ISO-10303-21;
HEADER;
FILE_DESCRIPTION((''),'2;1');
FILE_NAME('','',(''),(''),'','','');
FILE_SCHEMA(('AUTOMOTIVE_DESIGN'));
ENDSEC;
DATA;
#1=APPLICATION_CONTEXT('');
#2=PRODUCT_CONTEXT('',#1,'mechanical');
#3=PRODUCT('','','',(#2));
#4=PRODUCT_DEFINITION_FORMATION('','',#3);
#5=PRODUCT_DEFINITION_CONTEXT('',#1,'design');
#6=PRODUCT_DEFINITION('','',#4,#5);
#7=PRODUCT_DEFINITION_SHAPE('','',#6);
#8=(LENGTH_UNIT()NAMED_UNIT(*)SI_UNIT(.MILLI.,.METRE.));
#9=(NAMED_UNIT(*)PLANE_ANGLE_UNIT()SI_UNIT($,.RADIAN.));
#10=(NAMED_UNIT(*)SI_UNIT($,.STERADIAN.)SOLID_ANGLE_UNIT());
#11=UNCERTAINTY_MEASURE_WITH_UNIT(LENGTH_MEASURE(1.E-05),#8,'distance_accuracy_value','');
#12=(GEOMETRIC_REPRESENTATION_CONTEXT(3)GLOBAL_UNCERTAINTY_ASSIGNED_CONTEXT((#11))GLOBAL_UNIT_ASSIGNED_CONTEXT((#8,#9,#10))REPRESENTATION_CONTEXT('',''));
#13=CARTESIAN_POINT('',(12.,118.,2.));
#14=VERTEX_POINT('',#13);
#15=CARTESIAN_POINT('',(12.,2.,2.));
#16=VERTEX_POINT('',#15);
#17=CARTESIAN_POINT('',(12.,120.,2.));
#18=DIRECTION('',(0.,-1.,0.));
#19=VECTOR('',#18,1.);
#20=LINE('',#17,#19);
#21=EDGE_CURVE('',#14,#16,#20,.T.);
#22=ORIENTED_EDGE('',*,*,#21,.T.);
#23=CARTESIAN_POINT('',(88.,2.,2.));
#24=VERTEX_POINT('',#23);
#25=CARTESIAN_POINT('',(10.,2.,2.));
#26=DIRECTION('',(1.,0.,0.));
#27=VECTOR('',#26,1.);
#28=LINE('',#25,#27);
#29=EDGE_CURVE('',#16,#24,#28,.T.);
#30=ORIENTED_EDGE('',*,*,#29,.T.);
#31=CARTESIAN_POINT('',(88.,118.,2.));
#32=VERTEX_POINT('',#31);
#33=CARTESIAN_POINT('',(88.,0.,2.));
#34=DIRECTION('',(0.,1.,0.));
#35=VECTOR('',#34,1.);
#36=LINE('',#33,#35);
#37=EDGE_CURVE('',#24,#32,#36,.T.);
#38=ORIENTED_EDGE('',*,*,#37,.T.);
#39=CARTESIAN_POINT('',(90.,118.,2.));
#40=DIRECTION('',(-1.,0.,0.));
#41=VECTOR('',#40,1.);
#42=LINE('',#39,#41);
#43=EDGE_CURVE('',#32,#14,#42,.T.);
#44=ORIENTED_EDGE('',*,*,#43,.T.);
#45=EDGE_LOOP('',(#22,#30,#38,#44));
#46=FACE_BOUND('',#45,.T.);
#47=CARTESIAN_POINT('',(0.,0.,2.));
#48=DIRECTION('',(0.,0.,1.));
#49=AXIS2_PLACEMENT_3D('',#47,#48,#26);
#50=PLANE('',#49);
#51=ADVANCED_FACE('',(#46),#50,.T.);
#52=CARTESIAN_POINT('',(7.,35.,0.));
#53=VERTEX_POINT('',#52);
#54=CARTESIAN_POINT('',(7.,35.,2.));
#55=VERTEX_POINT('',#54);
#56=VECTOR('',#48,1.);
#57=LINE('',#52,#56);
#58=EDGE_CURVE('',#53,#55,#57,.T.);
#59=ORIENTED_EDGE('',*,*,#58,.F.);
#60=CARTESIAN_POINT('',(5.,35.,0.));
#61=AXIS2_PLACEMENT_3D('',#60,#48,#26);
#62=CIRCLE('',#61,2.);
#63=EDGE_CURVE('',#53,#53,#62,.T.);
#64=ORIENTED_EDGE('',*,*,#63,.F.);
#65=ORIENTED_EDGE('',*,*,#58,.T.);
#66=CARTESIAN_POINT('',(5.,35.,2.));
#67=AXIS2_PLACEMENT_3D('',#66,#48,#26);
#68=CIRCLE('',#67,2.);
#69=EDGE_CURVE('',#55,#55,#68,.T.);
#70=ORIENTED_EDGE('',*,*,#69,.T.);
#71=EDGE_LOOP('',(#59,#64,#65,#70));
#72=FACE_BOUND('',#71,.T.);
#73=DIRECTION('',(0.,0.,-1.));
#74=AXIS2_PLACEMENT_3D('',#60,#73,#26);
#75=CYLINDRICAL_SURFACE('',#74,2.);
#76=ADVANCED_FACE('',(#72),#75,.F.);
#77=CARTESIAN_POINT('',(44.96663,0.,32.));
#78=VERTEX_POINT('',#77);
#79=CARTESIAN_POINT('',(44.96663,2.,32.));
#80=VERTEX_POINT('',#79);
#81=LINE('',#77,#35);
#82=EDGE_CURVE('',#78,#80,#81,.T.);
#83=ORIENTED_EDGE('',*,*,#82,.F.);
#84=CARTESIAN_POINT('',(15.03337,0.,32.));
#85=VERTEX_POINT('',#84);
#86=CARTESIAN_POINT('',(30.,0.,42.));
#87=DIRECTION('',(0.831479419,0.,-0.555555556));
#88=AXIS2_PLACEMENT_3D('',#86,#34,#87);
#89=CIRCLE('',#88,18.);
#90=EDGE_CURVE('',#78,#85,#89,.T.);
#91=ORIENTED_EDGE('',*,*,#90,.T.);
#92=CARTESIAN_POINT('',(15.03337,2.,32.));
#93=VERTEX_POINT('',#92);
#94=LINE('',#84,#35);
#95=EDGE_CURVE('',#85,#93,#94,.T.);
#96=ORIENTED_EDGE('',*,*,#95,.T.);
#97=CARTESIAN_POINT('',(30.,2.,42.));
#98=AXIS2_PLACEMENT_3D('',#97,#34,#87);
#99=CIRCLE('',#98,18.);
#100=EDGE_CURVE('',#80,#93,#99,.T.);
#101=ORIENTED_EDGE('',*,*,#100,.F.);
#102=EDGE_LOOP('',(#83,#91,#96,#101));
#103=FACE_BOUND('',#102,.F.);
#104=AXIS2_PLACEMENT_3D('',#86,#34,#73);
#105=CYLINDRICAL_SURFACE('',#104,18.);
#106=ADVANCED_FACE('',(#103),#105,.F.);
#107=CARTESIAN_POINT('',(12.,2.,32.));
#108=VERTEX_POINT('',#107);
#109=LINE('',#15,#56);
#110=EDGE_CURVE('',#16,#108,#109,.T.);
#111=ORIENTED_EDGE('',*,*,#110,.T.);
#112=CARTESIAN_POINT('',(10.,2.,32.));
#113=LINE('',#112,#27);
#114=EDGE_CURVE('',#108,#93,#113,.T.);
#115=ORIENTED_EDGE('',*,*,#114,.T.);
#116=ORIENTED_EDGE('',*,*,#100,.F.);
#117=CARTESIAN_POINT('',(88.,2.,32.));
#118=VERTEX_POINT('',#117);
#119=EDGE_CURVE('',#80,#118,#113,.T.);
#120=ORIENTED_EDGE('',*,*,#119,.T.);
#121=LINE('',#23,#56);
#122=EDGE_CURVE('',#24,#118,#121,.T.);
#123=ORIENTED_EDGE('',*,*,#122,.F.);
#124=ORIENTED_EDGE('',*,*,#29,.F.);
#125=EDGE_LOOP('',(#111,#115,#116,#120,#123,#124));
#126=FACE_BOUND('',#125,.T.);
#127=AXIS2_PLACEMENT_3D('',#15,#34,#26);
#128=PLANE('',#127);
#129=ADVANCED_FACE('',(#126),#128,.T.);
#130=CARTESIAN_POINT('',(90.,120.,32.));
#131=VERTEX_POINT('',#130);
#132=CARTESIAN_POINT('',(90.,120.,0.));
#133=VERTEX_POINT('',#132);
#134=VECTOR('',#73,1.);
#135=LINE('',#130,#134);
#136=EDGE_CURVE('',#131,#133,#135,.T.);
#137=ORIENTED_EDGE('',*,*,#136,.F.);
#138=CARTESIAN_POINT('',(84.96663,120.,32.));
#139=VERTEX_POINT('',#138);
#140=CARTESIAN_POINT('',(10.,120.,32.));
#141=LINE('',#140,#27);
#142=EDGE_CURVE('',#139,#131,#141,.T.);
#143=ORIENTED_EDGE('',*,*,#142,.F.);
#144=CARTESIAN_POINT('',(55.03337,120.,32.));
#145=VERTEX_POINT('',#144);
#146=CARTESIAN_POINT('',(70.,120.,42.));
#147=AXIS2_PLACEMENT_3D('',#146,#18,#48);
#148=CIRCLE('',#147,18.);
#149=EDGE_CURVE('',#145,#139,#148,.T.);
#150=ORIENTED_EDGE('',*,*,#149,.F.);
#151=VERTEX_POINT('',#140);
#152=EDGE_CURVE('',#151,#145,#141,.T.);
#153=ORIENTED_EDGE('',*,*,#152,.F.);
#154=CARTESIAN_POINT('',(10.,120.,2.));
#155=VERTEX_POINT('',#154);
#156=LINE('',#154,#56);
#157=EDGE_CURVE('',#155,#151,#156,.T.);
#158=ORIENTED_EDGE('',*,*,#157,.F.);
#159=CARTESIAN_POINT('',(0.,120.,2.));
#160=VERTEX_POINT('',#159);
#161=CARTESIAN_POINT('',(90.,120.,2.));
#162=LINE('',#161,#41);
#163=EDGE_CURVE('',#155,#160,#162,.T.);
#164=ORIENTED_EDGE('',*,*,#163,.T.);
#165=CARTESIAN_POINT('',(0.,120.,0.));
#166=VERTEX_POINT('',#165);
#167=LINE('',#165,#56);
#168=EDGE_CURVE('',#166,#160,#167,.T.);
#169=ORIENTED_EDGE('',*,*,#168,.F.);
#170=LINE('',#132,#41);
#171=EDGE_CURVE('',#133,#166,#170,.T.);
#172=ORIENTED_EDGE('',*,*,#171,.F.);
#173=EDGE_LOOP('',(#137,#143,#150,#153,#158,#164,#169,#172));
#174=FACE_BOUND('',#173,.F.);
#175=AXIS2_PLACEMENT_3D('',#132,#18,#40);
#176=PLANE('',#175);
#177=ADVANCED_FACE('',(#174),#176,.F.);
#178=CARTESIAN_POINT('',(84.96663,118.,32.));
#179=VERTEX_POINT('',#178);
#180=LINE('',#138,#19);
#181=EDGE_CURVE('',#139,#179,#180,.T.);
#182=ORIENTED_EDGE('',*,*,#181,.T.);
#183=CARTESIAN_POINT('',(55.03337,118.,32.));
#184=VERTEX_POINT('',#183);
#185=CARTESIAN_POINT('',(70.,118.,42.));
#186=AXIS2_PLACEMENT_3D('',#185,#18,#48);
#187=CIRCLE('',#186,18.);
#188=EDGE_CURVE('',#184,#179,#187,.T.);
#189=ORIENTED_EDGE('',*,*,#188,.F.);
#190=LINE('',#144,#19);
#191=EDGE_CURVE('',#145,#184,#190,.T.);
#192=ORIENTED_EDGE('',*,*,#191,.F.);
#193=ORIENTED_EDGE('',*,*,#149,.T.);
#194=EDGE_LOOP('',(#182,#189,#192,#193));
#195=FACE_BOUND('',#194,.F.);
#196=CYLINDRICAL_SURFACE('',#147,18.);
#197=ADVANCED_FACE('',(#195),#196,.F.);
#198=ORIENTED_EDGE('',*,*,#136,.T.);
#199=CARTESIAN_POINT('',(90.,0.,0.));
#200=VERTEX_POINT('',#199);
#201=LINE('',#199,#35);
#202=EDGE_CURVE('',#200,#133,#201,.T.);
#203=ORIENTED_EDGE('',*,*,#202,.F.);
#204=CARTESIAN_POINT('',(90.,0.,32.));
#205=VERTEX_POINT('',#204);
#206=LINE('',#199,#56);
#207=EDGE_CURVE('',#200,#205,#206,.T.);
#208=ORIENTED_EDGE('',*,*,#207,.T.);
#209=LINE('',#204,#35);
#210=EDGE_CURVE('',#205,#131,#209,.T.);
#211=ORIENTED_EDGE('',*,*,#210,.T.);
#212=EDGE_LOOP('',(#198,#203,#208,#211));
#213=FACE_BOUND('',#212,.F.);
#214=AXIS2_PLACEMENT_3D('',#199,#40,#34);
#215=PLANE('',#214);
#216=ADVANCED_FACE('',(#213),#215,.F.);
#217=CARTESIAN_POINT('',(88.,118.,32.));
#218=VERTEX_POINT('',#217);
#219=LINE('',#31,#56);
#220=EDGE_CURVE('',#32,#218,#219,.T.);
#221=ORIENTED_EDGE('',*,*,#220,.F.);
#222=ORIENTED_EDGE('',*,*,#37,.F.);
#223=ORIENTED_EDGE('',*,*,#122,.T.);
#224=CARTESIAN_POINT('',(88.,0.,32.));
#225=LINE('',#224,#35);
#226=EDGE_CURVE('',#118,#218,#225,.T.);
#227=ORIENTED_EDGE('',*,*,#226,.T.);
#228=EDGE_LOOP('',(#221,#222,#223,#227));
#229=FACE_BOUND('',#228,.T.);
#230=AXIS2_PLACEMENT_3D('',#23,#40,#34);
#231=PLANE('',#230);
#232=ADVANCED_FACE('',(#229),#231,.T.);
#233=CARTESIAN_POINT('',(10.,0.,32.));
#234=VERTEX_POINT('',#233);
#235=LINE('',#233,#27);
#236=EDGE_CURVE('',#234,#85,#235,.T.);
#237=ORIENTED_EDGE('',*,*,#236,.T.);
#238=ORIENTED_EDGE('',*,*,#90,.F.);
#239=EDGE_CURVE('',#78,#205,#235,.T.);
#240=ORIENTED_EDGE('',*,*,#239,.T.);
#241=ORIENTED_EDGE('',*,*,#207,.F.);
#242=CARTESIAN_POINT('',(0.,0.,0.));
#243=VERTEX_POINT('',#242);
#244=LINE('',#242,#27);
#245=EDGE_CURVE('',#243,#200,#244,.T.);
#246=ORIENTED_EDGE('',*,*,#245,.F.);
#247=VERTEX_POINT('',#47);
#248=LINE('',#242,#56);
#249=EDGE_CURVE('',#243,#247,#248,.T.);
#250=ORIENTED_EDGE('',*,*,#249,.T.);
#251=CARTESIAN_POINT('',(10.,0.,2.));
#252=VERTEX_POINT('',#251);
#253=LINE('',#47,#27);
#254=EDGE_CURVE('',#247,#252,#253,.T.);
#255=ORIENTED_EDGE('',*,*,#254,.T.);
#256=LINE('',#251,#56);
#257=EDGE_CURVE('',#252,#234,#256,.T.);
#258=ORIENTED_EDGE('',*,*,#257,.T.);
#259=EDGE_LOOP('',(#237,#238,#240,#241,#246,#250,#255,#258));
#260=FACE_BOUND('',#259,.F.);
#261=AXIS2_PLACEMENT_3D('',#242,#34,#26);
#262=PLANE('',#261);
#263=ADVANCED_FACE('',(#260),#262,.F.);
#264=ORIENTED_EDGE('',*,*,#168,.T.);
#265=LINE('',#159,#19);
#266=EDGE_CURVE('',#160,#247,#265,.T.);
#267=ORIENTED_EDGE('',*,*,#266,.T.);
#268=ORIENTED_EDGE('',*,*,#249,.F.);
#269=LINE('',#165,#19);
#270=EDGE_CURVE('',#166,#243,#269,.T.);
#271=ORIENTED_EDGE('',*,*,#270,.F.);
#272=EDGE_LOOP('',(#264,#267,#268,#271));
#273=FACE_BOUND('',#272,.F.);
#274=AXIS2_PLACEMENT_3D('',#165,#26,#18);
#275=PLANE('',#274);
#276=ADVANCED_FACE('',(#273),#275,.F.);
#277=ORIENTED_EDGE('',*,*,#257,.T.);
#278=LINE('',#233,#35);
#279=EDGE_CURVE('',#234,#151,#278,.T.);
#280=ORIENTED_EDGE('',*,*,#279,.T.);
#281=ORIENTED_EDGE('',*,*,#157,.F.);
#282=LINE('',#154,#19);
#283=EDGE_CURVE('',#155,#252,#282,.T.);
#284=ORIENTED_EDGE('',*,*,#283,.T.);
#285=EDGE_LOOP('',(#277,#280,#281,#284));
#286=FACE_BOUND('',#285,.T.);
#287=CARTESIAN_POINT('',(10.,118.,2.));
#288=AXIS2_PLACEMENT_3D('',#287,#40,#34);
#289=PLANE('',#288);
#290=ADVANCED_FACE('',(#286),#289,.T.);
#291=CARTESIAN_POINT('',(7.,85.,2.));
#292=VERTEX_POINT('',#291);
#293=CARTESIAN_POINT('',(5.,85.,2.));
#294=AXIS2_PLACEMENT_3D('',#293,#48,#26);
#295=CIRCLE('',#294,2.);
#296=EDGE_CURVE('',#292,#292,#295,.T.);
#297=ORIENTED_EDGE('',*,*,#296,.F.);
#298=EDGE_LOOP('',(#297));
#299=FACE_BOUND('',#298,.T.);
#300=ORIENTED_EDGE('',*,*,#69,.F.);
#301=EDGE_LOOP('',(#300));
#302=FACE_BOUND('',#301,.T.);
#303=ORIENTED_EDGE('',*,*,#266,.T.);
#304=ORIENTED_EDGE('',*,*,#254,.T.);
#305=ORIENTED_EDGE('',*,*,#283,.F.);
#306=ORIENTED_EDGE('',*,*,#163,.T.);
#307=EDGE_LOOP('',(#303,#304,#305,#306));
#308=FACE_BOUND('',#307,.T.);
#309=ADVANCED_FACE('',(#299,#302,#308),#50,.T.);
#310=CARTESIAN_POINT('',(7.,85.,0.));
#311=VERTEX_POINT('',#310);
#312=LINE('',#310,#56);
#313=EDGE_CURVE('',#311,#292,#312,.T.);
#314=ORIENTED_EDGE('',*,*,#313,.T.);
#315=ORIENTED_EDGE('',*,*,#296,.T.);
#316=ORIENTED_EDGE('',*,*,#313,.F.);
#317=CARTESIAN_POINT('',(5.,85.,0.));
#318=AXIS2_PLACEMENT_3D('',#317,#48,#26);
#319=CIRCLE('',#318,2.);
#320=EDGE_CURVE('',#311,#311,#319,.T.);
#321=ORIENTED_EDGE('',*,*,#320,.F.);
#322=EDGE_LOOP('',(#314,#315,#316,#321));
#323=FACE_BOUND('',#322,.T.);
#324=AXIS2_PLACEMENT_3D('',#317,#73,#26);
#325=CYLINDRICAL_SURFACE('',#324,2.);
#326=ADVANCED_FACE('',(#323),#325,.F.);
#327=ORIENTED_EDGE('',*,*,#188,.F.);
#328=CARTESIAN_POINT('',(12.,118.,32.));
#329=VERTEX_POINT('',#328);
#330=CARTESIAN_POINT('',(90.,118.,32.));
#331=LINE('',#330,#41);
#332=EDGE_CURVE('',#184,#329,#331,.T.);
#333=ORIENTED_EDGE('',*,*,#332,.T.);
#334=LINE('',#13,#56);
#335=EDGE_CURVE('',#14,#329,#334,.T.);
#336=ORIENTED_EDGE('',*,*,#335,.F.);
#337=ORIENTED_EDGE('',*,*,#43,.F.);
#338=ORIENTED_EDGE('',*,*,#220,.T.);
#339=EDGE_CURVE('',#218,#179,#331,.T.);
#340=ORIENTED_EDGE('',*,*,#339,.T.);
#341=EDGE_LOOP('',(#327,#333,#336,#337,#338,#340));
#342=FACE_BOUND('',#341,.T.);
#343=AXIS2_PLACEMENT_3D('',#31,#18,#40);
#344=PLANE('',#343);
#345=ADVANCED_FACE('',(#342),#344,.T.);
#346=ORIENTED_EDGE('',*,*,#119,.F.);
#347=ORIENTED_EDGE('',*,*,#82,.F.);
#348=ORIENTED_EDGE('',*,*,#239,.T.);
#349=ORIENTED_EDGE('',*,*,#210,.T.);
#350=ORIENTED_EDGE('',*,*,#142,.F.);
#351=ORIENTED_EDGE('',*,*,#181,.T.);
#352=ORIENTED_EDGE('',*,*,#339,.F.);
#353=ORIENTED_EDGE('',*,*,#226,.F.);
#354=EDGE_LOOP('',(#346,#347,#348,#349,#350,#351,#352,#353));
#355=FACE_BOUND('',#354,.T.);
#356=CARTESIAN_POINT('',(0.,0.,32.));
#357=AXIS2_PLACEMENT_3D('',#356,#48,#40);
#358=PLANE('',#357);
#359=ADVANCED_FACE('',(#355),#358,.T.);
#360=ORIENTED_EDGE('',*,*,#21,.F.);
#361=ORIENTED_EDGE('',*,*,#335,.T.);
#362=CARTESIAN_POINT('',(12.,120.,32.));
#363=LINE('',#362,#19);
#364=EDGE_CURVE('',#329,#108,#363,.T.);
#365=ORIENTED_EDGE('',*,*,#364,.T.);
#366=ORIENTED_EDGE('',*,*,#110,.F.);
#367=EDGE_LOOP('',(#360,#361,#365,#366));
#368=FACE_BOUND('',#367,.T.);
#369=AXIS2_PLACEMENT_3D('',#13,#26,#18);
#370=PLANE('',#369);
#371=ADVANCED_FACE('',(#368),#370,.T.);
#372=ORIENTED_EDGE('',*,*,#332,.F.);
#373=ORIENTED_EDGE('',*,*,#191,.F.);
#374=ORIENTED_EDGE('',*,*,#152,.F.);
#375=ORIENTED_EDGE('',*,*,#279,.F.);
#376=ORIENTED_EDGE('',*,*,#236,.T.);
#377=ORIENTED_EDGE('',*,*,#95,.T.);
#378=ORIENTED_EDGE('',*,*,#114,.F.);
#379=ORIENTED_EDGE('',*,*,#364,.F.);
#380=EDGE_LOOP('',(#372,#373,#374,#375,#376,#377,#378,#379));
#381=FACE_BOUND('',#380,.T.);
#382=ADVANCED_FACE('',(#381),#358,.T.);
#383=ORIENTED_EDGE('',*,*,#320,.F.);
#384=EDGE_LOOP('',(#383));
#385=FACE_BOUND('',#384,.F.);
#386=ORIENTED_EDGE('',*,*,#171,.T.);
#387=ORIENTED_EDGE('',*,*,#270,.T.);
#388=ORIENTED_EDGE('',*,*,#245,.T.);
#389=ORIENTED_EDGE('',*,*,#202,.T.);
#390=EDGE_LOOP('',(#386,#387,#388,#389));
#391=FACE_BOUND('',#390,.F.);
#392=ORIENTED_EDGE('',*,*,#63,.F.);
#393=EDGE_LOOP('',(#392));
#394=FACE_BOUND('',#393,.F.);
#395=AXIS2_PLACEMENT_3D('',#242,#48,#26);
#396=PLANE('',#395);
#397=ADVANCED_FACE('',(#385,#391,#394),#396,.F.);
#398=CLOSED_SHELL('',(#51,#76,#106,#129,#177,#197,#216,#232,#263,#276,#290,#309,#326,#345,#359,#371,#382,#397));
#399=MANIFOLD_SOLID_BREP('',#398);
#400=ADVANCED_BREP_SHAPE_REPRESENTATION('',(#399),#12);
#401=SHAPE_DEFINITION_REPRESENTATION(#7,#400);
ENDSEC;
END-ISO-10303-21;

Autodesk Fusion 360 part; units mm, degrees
sketch "Sketch1" plane through (0, 0, 0) normal (0, 0, 1) x (1, 0, 0)
  line L0 (0, 0) -> (90, 0)
  line L1 (90, 0) -> (90, 120)
  line L2 (90, 120) -> (0, 120)
  line L3 (0, 120) -> (0, 0)
  circle A0 centre (5, 35) radius 2
  circle A1 centre (5, 85) radius 2
  dimension "d1" = 90
  dimension "d2" = 120
  dimension "d4" = 4
  dimension "d9" = 35
  dimension "d10" = 5
  dimension "d43" = 0
  dimension "d44" = 50
extrude "Extrude1" add sketch "Sketch1" along normal blind 2
sketch "Sketch2" plane through (0, 0, 2) normal (0, 0, 1) x (-1, 0, 0)
  circle A0 centre (-5, -35) radius 2
  line L0 (0, -120) -> (0, 0)
  line L1 (0, 0) -> (-90, 0)
  line L2 (-90, 0) -> (-90, -120)
  line L3 (-90, -120) -> (0, -120)
  line L4 (-90, 0) -> (-10, 0)
  line L5 (-10, 0) -> (-10, -120)
  line L6 (-10, -120) -> (-90, -120)
  line L7 (-90, -120) -> (-90, 0)
  line L8 (-10, -120) -> (-90, -120)
  line L9 (-90, -120) -> (-90, -118)
  line L10 (-90, -118) -> (-10, -118)
  line L11 (-10, -118) -> (-10, -120)
  line L12 (-10, -120) -> (-12, -120)
  line L13 (-12, -120) -> (-12, 0)
  line L14 (-12, 0) -> (-10, 0)
  line L15 (-10, 0) -> (-10, -120)
  line L16 (-90, 0) -> (-10, 0)
  line L17 (-10, 0) -> (-10, -2)
  line L18 (-10, -2) -> (-90, -2)
  line L19 (-90, -2) -> (-90, 0)
  line L20 (-90, 0) -> (-88, 0)
  line L21 (-88, 0) -> (-88, -120)
  line L22 (-88, -120) -> (-90, -120)
  line L23 (-90, -120) -> (-90, 0)
  circle A1 centre (-5, -85) radius 2
  dimension "d13" = 2
  dimension "d14" = 2
  dimension "d15" = 120
  dimension "d16" = 2
  dimension "d17" = 2
extrude "Extrude2" add sketch "Sketch2" along normal blind 30 contours L3 L5 L6 L8 L10 L11 L12 L13 L15 | L1 L4 L5 L13 L14 L15 L16 L17 L18 | L3 L6 L8 L10 L13 L21 | L5 L10 L13 L15 L18 | L1 L4 L13 L16 L18 L21 | L2 L3 L6 L7 L8 L9 L10 L21 L22 L23 | L1 L2 L4 L7 L16 L18 L19 L20 L21 L23 | L2 L7 L10 L18 L21 L23
sketch "Sketch3" plane through (0, 120, 0) normal (0, 1, 0) x (-1, 0, 0)
  line L0 (-90, 0) -> (0, 0)
  line L1 (0, 0) -> (0, 2)
  line L2 (0, 2) -> (-10, 2)
  line L3 (-10, 2) -> (-10, 32)
  line L4 (-10, 32) -> (-90, 32)
  line L5 (-90, 32) -> (-90, 0)
  circle A0 centre (-70, 42) radius 18
  line L6 (-88, 2) -> (-88, 32)
  dimension "d20" = 36
  dimension "d26" = 18
  dimension "d39" = 42
sketch "Sketch4" plane through (0, 0, 0) normal (0, -1, 0) x (1, 0, 0)
  line L0 (0, 0) -> (90, 0)
  line L1 (90, 0) -> (90, 32)
  line L2 (90, 32) -> (10, 32)
  line L3 (10, 32) -> (10, 2)
  line L4 (10, 2) -> (0, 2)
  line L5 (0, 2) -> (0, 0)
  circle A0 centre (30, 42) radius 18
  line L6 (12, 2) -> (12, 32)
  dimension "d28" = 36
  dimension "d29" = 18
  dimension "d40" = 42
hole "Hole1" at (30, 0, 42) direction (0, 1, 0) diameter 36 depth 4 tip angle 180
hole "Hole2" at (70, 120, 42) direction (0, -1, 0) diameter 36 depth 20 tip angle 118
